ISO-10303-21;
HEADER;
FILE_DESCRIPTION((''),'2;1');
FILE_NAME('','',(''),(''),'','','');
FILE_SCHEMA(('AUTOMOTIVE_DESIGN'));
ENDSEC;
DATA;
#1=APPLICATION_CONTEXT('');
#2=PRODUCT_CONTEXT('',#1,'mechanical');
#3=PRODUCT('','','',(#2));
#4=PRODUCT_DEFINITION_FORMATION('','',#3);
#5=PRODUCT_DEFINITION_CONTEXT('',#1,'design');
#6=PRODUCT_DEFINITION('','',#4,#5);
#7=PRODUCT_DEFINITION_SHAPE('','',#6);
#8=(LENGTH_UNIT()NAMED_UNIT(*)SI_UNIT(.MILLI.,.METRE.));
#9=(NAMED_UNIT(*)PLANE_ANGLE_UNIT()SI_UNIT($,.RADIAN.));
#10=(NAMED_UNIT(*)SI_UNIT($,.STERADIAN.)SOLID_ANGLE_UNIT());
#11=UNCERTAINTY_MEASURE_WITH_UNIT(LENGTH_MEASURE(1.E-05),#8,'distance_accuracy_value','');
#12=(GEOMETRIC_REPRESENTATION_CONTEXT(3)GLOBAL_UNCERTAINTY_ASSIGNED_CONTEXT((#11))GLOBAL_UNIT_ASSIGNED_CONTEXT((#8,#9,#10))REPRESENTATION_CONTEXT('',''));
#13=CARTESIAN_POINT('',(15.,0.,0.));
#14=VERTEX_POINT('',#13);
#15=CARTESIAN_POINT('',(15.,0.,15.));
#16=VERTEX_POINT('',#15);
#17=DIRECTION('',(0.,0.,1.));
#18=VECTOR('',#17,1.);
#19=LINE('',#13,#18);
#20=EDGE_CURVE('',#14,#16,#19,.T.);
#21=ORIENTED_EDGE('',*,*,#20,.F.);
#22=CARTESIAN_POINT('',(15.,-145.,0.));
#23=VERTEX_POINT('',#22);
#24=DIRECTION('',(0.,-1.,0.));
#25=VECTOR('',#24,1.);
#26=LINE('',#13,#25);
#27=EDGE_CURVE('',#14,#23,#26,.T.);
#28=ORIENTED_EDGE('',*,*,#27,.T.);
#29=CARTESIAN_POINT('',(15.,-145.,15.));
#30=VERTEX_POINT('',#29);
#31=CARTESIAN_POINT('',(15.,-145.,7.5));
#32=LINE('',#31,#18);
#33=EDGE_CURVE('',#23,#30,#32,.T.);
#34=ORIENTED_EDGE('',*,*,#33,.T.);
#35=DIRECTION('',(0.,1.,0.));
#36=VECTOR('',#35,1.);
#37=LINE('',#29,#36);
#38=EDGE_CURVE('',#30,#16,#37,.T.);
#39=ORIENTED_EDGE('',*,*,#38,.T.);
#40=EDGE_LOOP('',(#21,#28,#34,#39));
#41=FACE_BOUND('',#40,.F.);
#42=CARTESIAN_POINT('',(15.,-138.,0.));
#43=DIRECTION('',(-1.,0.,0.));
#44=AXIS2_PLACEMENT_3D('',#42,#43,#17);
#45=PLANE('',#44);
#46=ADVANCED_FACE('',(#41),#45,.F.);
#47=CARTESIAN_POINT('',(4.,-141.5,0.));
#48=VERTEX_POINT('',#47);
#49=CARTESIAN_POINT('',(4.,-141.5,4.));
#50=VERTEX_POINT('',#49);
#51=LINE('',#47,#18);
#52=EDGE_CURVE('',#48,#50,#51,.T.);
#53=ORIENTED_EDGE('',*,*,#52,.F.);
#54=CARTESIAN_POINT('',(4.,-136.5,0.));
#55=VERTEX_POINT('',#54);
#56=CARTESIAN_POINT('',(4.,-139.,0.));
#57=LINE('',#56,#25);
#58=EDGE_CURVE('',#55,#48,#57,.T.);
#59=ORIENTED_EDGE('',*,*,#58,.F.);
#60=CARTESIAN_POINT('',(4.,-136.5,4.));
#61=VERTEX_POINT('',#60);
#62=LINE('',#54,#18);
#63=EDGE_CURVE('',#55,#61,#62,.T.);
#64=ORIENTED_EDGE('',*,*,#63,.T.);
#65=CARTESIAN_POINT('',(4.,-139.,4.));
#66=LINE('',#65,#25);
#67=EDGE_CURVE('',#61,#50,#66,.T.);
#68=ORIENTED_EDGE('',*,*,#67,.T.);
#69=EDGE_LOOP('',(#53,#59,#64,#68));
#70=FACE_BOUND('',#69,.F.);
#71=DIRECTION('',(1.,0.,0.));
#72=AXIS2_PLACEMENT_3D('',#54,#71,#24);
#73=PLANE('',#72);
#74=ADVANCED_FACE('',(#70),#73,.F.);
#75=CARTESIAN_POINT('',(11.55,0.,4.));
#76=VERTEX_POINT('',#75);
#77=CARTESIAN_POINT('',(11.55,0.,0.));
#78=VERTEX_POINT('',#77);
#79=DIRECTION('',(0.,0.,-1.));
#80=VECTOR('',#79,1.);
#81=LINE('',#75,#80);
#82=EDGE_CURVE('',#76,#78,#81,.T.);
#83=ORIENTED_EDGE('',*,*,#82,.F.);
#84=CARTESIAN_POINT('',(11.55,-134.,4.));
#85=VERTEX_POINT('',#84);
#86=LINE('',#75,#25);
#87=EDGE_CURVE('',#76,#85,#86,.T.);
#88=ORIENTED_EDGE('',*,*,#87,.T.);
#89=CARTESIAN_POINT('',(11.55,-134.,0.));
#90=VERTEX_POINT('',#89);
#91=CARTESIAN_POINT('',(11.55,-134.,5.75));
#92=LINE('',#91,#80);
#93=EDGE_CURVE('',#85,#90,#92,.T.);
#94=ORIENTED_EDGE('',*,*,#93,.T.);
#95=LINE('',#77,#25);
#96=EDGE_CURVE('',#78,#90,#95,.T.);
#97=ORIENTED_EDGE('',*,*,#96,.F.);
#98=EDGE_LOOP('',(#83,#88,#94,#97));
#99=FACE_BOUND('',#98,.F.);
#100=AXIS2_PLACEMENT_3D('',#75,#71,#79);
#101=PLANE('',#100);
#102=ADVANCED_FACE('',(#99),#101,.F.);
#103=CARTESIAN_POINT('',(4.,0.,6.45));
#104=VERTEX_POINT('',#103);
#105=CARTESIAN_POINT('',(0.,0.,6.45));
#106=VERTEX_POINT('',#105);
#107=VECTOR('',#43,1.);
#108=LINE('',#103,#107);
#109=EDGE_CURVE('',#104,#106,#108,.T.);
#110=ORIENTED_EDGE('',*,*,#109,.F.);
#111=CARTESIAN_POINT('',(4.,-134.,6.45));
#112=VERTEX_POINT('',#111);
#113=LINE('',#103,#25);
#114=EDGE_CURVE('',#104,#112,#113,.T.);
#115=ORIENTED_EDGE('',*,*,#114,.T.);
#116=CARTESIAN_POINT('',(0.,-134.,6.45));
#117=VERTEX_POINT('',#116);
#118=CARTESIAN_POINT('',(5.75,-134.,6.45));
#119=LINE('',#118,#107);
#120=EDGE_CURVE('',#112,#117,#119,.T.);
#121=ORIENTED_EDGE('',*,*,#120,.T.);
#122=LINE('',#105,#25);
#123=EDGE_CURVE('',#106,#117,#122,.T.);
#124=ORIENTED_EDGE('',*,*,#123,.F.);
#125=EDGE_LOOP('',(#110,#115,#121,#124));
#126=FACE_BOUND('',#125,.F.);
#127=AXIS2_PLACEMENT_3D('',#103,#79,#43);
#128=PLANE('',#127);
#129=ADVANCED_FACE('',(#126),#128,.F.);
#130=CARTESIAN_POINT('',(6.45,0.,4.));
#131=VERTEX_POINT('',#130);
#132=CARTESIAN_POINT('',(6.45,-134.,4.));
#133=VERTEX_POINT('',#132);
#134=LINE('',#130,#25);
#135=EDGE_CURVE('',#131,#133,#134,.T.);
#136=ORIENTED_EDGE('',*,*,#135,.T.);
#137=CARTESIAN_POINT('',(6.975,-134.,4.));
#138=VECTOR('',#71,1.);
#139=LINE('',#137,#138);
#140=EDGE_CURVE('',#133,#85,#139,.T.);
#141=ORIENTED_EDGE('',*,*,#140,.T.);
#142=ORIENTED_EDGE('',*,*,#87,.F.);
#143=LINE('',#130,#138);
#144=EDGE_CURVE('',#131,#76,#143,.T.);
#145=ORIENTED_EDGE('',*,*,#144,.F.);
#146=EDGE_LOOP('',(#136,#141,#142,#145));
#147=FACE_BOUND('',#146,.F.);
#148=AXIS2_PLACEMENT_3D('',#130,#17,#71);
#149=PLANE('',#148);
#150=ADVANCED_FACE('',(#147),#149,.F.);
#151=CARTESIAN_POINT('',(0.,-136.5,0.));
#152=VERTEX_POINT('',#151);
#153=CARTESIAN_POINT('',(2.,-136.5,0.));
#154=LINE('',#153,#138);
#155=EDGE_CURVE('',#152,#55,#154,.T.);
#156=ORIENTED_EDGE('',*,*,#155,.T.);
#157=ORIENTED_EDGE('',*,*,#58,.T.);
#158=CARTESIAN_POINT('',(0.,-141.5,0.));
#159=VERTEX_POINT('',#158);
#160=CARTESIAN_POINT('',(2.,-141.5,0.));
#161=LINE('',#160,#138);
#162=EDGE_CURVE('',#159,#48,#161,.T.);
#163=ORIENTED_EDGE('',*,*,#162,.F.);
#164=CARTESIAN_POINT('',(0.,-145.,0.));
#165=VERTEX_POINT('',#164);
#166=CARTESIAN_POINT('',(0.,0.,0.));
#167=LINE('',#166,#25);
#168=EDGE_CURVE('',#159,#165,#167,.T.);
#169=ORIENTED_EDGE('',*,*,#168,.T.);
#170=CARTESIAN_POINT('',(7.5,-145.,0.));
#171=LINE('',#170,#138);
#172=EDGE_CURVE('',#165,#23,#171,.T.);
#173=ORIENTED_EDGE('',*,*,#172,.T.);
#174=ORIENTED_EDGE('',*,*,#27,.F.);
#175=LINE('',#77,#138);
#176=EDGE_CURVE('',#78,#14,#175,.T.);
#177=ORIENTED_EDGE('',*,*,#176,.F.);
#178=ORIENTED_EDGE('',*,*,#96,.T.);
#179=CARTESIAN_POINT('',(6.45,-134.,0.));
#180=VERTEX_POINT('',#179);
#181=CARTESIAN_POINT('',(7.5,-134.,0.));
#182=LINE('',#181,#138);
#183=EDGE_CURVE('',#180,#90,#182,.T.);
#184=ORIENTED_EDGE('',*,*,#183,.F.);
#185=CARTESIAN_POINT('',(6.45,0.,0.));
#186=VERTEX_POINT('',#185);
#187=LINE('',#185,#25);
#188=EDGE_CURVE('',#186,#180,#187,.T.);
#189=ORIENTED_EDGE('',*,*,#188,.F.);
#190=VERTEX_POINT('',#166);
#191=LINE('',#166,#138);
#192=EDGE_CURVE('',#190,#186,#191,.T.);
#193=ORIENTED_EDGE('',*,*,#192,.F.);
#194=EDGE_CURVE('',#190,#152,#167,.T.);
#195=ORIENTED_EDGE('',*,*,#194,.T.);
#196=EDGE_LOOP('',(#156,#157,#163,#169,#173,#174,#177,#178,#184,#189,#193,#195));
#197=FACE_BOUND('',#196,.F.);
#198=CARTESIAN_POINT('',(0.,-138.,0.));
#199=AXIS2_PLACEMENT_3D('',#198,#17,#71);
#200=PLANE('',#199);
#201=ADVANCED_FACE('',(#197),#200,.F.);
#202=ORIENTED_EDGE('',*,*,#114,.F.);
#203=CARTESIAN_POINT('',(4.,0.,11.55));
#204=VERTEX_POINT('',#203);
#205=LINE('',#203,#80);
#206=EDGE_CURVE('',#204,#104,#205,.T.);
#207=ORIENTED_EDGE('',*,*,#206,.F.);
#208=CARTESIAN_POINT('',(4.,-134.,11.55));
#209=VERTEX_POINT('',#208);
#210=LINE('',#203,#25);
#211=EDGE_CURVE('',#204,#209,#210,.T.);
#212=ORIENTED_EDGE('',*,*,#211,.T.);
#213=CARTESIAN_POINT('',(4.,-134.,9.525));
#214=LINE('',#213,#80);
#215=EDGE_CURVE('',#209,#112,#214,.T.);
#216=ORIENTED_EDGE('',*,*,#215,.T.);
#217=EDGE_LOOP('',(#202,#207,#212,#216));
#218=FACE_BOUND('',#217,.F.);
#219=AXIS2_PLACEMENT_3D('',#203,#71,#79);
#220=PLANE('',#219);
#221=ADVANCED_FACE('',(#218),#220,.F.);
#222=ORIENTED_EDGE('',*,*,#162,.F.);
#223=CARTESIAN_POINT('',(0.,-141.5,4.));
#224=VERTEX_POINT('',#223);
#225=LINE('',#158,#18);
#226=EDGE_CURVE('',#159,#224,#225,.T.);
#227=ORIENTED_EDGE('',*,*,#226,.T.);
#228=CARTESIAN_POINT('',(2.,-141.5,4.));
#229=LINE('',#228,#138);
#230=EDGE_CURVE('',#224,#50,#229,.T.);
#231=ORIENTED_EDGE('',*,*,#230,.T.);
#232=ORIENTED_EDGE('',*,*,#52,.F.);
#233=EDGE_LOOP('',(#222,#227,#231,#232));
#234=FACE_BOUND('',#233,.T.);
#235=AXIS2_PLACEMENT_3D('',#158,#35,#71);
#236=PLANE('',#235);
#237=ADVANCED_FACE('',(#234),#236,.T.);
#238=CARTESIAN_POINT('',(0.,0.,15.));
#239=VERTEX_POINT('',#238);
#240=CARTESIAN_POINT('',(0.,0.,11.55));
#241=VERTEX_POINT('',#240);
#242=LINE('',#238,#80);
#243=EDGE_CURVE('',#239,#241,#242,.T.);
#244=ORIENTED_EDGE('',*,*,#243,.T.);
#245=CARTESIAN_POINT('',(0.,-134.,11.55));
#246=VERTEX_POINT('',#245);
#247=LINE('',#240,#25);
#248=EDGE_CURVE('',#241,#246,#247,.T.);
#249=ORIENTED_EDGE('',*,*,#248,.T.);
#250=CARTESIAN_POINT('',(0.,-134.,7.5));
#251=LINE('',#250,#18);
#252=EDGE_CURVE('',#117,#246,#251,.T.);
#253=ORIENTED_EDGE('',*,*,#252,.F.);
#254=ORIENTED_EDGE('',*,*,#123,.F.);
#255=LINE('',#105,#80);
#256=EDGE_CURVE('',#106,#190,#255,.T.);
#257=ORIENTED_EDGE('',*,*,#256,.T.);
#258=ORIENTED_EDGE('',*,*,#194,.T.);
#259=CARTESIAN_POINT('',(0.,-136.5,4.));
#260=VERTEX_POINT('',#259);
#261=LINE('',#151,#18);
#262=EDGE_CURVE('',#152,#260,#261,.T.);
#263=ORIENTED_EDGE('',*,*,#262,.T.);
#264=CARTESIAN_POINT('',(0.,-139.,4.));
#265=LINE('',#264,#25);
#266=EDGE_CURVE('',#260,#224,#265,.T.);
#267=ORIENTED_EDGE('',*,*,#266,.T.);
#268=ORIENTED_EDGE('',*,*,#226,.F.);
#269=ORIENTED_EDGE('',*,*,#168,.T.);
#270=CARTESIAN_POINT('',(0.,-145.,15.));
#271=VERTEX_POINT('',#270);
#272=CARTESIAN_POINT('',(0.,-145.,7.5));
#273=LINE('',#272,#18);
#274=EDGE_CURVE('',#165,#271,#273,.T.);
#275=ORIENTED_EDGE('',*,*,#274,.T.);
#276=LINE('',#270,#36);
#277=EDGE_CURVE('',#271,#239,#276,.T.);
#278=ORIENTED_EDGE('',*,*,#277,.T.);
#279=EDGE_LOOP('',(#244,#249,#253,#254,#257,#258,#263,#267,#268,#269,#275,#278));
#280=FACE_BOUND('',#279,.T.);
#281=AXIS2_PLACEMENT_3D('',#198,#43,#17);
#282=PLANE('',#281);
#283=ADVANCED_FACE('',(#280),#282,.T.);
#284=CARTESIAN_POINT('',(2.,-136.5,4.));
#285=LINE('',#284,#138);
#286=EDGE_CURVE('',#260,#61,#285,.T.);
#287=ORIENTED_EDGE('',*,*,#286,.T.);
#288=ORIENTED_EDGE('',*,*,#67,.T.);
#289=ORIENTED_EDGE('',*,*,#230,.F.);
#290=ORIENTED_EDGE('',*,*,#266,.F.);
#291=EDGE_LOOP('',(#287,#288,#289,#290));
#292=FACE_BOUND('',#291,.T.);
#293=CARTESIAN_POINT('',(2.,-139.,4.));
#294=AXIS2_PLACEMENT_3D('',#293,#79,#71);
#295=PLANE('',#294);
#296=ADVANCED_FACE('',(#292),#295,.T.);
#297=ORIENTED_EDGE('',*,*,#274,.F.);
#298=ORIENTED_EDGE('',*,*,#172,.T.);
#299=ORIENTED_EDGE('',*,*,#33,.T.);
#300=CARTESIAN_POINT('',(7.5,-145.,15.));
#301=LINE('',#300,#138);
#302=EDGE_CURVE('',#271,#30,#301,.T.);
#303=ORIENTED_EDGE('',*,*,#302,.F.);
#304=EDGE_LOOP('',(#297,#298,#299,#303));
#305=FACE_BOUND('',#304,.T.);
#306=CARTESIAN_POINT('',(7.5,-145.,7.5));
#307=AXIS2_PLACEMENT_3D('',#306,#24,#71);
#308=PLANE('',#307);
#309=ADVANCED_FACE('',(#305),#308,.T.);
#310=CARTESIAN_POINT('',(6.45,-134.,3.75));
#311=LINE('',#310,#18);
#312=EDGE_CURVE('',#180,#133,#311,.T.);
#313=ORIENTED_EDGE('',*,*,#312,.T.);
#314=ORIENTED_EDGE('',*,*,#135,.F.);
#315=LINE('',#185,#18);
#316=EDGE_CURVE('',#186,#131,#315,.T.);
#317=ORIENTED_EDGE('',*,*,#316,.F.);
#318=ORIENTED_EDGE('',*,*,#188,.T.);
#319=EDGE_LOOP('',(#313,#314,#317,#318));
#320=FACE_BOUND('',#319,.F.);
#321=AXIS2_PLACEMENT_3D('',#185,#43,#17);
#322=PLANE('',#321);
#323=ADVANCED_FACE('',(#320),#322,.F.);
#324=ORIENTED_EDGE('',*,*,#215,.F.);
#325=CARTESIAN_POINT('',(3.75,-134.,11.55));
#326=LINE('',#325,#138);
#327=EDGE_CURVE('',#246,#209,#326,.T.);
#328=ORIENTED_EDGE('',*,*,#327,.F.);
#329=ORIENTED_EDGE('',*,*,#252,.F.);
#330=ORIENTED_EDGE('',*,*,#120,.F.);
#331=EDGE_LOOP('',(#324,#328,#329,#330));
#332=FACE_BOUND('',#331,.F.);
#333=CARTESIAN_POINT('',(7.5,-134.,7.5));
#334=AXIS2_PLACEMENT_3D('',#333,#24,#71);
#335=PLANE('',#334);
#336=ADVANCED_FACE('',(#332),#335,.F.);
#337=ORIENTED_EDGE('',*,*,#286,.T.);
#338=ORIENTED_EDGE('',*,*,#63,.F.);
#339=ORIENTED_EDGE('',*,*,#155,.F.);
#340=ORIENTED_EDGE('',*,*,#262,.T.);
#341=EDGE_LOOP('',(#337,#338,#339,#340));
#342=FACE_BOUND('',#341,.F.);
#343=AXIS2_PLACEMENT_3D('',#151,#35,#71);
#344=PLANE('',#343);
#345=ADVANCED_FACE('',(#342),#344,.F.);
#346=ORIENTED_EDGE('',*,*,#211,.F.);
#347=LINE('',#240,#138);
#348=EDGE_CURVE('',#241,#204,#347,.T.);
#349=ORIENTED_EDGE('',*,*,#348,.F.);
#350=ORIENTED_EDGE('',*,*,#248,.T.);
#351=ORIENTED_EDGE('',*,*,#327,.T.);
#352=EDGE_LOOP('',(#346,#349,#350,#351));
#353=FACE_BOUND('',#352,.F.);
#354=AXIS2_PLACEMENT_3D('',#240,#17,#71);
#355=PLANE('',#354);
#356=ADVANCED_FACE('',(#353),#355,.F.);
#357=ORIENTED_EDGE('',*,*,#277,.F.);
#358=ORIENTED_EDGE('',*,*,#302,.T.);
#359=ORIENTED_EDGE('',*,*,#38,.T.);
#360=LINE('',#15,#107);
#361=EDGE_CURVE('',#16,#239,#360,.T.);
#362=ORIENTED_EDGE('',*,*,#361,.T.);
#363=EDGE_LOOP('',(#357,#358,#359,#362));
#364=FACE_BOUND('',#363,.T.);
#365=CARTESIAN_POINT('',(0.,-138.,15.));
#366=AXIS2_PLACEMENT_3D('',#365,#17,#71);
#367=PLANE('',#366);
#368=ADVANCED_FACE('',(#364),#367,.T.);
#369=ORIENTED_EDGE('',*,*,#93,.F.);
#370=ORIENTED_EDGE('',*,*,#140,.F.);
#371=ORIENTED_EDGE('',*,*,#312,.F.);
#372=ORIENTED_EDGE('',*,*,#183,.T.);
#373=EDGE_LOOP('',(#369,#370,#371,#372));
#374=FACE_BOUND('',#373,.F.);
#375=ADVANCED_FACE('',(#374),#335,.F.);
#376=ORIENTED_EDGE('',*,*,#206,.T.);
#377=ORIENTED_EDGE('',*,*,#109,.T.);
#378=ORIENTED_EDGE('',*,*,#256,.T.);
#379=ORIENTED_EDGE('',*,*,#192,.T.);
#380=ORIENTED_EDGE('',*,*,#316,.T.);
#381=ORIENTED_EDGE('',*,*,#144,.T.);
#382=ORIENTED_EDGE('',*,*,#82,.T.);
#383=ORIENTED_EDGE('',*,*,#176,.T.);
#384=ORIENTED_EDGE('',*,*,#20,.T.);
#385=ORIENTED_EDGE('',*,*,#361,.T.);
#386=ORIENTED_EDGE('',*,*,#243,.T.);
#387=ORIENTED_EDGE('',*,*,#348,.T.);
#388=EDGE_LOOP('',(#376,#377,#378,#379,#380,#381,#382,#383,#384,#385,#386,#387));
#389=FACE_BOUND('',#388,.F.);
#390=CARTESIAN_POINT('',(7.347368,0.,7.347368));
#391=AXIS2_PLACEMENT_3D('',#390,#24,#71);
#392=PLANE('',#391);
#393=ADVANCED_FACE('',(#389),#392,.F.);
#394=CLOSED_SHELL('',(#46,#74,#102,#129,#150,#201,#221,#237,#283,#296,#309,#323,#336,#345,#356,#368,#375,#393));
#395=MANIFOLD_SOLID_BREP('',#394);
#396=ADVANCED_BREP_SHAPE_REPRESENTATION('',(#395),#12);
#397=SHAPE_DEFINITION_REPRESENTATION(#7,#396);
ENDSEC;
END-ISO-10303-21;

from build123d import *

# Parameters (mm, degrees)
F1_DEPTH      = 138
F2_W          = 15
F2_H          = 15
F3_DEPTH      = 7
F3_DEPTH_BACK = 4
F4_W          = 4
F4_H          = 5
F5_DEPTH      = 4


with BuildPart() as f1:
    # F0 (on Front) → F1 (new body)
    with BuildSketch(Plane.XZ):
        Polygon((0, 6.45), (0, 0), (6.45, 0), (6.45, 4), (11.55, 4), (11.55, 0), (15, 0), (15, 15), (0, 15), (0, 11.55), (4, 11.55), (4, 6.45), align=None)
    extrude(amount=F1_DEPTH)

    # F2 (on face) → F3 (join, two sides)
    with BuildSketch(Plane.XZ.offset(138)) as f3_sk:
        with Locations((7.5, 7.5)):
            Rectangle(F2_W, F2_H)
    extrude(amount=F3_DEPTH)
    extrude(f3_sk.sketch, amount=-F3_DEPTH_BACK)

    # F4 (on face) → F5 (cut)
    with BuildSketch(Plane(origin=(0, 0, 0), x_dir=(1, 0, 0), z_dir=(0, 0, -1))):
        with Locations((2, 139)):
            Rectangle(F4_W, F4_H)
    extrude(amount=-F5_DEPTH, mode=Mode.SUBTRACT)


solid = f1.part
